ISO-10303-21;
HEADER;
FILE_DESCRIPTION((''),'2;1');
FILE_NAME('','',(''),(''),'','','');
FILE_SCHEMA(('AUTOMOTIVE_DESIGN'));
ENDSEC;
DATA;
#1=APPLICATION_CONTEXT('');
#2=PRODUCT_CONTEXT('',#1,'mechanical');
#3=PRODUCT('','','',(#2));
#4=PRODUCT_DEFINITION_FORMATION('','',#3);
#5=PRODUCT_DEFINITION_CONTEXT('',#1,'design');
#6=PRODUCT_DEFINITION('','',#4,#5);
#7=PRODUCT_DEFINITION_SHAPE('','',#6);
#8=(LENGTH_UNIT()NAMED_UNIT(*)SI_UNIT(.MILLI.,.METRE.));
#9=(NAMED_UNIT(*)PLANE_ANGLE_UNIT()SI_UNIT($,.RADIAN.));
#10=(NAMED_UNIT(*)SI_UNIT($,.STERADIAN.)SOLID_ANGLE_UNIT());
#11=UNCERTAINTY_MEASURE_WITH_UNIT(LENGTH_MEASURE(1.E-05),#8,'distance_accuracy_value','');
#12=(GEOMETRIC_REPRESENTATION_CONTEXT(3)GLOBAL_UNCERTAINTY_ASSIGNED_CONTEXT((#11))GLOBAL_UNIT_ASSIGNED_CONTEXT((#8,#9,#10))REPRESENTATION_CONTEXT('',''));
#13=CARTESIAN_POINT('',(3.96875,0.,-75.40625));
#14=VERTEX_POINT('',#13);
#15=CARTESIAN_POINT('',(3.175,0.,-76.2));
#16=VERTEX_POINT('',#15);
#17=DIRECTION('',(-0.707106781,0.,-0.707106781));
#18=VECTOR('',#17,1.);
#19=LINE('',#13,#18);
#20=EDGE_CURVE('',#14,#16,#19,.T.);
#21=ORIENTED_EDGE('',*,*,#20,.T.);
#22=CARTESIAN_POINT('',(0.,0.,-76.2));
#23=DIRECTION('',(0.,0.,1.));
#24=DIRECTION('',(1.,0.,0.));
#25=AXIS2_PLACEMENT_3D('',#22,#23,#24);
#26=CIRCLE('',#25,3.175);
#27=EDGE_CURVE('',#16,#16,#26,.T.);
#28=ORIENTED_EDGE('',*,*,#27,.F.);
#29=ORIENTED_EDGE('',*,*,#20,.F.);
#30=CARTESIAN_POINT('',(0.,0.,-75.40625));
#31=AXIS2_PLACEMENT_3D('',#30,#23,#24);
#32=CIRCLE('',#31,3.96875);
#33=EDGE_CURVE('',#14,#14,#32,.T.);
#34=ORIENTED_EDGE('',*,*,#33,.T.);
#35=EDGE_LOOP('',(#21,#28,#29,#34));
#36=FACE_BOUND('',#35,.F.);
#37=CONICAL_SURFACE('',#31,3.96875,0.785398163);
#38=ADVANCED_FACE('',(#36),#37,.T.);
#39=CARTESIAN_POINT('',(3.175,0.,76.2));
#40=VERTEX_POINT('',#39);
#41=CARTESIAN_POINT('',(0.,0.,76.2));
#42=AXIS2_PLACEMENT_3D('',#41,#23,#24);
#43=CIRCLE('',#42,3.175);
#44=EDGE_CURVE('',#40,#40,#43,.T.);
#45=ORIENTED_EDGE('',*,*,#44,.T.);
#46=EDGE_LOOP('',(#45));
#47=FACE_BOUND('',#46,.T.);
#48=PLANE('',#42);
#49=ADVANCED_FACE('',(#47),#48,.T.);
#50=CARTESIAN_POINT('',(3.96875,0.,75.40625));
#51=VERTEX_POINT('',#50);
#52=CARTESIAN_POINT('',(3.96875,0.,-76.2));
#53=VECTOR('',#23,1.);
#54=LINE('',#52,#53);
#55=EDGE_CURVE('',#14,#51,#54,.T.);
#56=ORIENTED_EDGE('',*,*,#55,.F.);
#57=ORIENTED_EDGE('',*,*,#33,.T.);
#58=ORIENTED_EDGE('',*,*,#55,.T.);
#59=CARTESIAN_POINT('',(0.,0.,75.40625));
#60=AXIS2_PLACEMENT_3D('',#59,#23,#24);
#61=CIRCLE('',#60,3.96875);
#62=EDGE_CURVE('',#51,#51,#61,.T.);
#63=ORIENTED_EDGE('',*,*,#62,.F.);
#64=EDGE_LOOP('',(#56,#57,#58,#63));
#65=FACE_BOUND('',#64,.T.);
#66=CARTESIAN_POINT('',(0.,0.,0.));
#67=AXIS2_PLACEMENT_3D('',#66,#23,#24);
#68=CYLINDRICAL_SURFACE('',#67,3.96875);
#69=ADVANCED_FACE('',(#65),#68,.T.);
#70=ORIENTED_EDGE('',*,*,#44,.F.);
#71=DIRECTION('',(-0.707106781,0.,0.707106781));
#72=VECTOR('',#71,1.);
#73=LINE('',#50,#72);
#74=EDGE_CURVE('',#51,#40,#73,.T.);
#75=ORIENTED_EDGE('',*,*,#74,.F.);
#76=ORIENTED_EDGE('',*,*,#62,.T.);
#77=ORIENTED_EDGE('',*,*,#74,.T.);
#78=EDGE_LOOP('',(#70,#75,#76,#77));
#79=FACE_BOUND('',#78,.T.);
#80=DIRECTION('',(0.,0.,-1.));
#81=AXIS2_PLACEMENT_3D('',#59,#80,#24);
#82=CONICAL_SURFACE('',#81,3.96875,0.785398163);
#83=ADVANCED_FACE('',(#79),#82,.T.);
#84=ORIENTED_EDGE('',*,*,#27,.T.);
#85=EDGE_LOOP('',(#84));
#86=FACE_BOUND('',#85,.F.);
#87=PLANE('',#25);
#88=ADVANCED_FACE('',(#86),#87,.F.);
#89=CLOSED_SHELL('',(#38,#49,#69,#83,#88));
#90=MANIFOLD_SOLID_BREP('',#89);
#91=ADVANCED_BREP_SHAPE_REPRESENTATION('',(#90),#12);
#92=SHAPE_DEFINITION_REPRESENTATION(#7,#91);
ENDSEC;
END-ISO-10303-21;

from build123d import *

# Parameters (mm, degrees)
SKETCH3_R           = 3.96875
BOSS_EXTRUDE1_DEPTH = 76.2
CHAMFER1_SIZE       = 0.79375


with BuildPart() as part:
    # Sketch3 → Boss-Extrude1 (new body, symmetric)
    with BuildSketch(Plane.XY):
        Circle(SKETCH3_R)
    extrude(amount=BOSS_EXTRUDE1_DEPTH, both=True)

    # Chamfer1
    chamfer1_edges = [part.edges().sort_by_distance(p)[0] for p in [
        (-3.96875, 0, -76.2),
        (-3.96875, 0, 76.2),
    ]]
    chamfer(chamfer1_edges, length=CHAMFER1_SIZE)


solid = part.part
